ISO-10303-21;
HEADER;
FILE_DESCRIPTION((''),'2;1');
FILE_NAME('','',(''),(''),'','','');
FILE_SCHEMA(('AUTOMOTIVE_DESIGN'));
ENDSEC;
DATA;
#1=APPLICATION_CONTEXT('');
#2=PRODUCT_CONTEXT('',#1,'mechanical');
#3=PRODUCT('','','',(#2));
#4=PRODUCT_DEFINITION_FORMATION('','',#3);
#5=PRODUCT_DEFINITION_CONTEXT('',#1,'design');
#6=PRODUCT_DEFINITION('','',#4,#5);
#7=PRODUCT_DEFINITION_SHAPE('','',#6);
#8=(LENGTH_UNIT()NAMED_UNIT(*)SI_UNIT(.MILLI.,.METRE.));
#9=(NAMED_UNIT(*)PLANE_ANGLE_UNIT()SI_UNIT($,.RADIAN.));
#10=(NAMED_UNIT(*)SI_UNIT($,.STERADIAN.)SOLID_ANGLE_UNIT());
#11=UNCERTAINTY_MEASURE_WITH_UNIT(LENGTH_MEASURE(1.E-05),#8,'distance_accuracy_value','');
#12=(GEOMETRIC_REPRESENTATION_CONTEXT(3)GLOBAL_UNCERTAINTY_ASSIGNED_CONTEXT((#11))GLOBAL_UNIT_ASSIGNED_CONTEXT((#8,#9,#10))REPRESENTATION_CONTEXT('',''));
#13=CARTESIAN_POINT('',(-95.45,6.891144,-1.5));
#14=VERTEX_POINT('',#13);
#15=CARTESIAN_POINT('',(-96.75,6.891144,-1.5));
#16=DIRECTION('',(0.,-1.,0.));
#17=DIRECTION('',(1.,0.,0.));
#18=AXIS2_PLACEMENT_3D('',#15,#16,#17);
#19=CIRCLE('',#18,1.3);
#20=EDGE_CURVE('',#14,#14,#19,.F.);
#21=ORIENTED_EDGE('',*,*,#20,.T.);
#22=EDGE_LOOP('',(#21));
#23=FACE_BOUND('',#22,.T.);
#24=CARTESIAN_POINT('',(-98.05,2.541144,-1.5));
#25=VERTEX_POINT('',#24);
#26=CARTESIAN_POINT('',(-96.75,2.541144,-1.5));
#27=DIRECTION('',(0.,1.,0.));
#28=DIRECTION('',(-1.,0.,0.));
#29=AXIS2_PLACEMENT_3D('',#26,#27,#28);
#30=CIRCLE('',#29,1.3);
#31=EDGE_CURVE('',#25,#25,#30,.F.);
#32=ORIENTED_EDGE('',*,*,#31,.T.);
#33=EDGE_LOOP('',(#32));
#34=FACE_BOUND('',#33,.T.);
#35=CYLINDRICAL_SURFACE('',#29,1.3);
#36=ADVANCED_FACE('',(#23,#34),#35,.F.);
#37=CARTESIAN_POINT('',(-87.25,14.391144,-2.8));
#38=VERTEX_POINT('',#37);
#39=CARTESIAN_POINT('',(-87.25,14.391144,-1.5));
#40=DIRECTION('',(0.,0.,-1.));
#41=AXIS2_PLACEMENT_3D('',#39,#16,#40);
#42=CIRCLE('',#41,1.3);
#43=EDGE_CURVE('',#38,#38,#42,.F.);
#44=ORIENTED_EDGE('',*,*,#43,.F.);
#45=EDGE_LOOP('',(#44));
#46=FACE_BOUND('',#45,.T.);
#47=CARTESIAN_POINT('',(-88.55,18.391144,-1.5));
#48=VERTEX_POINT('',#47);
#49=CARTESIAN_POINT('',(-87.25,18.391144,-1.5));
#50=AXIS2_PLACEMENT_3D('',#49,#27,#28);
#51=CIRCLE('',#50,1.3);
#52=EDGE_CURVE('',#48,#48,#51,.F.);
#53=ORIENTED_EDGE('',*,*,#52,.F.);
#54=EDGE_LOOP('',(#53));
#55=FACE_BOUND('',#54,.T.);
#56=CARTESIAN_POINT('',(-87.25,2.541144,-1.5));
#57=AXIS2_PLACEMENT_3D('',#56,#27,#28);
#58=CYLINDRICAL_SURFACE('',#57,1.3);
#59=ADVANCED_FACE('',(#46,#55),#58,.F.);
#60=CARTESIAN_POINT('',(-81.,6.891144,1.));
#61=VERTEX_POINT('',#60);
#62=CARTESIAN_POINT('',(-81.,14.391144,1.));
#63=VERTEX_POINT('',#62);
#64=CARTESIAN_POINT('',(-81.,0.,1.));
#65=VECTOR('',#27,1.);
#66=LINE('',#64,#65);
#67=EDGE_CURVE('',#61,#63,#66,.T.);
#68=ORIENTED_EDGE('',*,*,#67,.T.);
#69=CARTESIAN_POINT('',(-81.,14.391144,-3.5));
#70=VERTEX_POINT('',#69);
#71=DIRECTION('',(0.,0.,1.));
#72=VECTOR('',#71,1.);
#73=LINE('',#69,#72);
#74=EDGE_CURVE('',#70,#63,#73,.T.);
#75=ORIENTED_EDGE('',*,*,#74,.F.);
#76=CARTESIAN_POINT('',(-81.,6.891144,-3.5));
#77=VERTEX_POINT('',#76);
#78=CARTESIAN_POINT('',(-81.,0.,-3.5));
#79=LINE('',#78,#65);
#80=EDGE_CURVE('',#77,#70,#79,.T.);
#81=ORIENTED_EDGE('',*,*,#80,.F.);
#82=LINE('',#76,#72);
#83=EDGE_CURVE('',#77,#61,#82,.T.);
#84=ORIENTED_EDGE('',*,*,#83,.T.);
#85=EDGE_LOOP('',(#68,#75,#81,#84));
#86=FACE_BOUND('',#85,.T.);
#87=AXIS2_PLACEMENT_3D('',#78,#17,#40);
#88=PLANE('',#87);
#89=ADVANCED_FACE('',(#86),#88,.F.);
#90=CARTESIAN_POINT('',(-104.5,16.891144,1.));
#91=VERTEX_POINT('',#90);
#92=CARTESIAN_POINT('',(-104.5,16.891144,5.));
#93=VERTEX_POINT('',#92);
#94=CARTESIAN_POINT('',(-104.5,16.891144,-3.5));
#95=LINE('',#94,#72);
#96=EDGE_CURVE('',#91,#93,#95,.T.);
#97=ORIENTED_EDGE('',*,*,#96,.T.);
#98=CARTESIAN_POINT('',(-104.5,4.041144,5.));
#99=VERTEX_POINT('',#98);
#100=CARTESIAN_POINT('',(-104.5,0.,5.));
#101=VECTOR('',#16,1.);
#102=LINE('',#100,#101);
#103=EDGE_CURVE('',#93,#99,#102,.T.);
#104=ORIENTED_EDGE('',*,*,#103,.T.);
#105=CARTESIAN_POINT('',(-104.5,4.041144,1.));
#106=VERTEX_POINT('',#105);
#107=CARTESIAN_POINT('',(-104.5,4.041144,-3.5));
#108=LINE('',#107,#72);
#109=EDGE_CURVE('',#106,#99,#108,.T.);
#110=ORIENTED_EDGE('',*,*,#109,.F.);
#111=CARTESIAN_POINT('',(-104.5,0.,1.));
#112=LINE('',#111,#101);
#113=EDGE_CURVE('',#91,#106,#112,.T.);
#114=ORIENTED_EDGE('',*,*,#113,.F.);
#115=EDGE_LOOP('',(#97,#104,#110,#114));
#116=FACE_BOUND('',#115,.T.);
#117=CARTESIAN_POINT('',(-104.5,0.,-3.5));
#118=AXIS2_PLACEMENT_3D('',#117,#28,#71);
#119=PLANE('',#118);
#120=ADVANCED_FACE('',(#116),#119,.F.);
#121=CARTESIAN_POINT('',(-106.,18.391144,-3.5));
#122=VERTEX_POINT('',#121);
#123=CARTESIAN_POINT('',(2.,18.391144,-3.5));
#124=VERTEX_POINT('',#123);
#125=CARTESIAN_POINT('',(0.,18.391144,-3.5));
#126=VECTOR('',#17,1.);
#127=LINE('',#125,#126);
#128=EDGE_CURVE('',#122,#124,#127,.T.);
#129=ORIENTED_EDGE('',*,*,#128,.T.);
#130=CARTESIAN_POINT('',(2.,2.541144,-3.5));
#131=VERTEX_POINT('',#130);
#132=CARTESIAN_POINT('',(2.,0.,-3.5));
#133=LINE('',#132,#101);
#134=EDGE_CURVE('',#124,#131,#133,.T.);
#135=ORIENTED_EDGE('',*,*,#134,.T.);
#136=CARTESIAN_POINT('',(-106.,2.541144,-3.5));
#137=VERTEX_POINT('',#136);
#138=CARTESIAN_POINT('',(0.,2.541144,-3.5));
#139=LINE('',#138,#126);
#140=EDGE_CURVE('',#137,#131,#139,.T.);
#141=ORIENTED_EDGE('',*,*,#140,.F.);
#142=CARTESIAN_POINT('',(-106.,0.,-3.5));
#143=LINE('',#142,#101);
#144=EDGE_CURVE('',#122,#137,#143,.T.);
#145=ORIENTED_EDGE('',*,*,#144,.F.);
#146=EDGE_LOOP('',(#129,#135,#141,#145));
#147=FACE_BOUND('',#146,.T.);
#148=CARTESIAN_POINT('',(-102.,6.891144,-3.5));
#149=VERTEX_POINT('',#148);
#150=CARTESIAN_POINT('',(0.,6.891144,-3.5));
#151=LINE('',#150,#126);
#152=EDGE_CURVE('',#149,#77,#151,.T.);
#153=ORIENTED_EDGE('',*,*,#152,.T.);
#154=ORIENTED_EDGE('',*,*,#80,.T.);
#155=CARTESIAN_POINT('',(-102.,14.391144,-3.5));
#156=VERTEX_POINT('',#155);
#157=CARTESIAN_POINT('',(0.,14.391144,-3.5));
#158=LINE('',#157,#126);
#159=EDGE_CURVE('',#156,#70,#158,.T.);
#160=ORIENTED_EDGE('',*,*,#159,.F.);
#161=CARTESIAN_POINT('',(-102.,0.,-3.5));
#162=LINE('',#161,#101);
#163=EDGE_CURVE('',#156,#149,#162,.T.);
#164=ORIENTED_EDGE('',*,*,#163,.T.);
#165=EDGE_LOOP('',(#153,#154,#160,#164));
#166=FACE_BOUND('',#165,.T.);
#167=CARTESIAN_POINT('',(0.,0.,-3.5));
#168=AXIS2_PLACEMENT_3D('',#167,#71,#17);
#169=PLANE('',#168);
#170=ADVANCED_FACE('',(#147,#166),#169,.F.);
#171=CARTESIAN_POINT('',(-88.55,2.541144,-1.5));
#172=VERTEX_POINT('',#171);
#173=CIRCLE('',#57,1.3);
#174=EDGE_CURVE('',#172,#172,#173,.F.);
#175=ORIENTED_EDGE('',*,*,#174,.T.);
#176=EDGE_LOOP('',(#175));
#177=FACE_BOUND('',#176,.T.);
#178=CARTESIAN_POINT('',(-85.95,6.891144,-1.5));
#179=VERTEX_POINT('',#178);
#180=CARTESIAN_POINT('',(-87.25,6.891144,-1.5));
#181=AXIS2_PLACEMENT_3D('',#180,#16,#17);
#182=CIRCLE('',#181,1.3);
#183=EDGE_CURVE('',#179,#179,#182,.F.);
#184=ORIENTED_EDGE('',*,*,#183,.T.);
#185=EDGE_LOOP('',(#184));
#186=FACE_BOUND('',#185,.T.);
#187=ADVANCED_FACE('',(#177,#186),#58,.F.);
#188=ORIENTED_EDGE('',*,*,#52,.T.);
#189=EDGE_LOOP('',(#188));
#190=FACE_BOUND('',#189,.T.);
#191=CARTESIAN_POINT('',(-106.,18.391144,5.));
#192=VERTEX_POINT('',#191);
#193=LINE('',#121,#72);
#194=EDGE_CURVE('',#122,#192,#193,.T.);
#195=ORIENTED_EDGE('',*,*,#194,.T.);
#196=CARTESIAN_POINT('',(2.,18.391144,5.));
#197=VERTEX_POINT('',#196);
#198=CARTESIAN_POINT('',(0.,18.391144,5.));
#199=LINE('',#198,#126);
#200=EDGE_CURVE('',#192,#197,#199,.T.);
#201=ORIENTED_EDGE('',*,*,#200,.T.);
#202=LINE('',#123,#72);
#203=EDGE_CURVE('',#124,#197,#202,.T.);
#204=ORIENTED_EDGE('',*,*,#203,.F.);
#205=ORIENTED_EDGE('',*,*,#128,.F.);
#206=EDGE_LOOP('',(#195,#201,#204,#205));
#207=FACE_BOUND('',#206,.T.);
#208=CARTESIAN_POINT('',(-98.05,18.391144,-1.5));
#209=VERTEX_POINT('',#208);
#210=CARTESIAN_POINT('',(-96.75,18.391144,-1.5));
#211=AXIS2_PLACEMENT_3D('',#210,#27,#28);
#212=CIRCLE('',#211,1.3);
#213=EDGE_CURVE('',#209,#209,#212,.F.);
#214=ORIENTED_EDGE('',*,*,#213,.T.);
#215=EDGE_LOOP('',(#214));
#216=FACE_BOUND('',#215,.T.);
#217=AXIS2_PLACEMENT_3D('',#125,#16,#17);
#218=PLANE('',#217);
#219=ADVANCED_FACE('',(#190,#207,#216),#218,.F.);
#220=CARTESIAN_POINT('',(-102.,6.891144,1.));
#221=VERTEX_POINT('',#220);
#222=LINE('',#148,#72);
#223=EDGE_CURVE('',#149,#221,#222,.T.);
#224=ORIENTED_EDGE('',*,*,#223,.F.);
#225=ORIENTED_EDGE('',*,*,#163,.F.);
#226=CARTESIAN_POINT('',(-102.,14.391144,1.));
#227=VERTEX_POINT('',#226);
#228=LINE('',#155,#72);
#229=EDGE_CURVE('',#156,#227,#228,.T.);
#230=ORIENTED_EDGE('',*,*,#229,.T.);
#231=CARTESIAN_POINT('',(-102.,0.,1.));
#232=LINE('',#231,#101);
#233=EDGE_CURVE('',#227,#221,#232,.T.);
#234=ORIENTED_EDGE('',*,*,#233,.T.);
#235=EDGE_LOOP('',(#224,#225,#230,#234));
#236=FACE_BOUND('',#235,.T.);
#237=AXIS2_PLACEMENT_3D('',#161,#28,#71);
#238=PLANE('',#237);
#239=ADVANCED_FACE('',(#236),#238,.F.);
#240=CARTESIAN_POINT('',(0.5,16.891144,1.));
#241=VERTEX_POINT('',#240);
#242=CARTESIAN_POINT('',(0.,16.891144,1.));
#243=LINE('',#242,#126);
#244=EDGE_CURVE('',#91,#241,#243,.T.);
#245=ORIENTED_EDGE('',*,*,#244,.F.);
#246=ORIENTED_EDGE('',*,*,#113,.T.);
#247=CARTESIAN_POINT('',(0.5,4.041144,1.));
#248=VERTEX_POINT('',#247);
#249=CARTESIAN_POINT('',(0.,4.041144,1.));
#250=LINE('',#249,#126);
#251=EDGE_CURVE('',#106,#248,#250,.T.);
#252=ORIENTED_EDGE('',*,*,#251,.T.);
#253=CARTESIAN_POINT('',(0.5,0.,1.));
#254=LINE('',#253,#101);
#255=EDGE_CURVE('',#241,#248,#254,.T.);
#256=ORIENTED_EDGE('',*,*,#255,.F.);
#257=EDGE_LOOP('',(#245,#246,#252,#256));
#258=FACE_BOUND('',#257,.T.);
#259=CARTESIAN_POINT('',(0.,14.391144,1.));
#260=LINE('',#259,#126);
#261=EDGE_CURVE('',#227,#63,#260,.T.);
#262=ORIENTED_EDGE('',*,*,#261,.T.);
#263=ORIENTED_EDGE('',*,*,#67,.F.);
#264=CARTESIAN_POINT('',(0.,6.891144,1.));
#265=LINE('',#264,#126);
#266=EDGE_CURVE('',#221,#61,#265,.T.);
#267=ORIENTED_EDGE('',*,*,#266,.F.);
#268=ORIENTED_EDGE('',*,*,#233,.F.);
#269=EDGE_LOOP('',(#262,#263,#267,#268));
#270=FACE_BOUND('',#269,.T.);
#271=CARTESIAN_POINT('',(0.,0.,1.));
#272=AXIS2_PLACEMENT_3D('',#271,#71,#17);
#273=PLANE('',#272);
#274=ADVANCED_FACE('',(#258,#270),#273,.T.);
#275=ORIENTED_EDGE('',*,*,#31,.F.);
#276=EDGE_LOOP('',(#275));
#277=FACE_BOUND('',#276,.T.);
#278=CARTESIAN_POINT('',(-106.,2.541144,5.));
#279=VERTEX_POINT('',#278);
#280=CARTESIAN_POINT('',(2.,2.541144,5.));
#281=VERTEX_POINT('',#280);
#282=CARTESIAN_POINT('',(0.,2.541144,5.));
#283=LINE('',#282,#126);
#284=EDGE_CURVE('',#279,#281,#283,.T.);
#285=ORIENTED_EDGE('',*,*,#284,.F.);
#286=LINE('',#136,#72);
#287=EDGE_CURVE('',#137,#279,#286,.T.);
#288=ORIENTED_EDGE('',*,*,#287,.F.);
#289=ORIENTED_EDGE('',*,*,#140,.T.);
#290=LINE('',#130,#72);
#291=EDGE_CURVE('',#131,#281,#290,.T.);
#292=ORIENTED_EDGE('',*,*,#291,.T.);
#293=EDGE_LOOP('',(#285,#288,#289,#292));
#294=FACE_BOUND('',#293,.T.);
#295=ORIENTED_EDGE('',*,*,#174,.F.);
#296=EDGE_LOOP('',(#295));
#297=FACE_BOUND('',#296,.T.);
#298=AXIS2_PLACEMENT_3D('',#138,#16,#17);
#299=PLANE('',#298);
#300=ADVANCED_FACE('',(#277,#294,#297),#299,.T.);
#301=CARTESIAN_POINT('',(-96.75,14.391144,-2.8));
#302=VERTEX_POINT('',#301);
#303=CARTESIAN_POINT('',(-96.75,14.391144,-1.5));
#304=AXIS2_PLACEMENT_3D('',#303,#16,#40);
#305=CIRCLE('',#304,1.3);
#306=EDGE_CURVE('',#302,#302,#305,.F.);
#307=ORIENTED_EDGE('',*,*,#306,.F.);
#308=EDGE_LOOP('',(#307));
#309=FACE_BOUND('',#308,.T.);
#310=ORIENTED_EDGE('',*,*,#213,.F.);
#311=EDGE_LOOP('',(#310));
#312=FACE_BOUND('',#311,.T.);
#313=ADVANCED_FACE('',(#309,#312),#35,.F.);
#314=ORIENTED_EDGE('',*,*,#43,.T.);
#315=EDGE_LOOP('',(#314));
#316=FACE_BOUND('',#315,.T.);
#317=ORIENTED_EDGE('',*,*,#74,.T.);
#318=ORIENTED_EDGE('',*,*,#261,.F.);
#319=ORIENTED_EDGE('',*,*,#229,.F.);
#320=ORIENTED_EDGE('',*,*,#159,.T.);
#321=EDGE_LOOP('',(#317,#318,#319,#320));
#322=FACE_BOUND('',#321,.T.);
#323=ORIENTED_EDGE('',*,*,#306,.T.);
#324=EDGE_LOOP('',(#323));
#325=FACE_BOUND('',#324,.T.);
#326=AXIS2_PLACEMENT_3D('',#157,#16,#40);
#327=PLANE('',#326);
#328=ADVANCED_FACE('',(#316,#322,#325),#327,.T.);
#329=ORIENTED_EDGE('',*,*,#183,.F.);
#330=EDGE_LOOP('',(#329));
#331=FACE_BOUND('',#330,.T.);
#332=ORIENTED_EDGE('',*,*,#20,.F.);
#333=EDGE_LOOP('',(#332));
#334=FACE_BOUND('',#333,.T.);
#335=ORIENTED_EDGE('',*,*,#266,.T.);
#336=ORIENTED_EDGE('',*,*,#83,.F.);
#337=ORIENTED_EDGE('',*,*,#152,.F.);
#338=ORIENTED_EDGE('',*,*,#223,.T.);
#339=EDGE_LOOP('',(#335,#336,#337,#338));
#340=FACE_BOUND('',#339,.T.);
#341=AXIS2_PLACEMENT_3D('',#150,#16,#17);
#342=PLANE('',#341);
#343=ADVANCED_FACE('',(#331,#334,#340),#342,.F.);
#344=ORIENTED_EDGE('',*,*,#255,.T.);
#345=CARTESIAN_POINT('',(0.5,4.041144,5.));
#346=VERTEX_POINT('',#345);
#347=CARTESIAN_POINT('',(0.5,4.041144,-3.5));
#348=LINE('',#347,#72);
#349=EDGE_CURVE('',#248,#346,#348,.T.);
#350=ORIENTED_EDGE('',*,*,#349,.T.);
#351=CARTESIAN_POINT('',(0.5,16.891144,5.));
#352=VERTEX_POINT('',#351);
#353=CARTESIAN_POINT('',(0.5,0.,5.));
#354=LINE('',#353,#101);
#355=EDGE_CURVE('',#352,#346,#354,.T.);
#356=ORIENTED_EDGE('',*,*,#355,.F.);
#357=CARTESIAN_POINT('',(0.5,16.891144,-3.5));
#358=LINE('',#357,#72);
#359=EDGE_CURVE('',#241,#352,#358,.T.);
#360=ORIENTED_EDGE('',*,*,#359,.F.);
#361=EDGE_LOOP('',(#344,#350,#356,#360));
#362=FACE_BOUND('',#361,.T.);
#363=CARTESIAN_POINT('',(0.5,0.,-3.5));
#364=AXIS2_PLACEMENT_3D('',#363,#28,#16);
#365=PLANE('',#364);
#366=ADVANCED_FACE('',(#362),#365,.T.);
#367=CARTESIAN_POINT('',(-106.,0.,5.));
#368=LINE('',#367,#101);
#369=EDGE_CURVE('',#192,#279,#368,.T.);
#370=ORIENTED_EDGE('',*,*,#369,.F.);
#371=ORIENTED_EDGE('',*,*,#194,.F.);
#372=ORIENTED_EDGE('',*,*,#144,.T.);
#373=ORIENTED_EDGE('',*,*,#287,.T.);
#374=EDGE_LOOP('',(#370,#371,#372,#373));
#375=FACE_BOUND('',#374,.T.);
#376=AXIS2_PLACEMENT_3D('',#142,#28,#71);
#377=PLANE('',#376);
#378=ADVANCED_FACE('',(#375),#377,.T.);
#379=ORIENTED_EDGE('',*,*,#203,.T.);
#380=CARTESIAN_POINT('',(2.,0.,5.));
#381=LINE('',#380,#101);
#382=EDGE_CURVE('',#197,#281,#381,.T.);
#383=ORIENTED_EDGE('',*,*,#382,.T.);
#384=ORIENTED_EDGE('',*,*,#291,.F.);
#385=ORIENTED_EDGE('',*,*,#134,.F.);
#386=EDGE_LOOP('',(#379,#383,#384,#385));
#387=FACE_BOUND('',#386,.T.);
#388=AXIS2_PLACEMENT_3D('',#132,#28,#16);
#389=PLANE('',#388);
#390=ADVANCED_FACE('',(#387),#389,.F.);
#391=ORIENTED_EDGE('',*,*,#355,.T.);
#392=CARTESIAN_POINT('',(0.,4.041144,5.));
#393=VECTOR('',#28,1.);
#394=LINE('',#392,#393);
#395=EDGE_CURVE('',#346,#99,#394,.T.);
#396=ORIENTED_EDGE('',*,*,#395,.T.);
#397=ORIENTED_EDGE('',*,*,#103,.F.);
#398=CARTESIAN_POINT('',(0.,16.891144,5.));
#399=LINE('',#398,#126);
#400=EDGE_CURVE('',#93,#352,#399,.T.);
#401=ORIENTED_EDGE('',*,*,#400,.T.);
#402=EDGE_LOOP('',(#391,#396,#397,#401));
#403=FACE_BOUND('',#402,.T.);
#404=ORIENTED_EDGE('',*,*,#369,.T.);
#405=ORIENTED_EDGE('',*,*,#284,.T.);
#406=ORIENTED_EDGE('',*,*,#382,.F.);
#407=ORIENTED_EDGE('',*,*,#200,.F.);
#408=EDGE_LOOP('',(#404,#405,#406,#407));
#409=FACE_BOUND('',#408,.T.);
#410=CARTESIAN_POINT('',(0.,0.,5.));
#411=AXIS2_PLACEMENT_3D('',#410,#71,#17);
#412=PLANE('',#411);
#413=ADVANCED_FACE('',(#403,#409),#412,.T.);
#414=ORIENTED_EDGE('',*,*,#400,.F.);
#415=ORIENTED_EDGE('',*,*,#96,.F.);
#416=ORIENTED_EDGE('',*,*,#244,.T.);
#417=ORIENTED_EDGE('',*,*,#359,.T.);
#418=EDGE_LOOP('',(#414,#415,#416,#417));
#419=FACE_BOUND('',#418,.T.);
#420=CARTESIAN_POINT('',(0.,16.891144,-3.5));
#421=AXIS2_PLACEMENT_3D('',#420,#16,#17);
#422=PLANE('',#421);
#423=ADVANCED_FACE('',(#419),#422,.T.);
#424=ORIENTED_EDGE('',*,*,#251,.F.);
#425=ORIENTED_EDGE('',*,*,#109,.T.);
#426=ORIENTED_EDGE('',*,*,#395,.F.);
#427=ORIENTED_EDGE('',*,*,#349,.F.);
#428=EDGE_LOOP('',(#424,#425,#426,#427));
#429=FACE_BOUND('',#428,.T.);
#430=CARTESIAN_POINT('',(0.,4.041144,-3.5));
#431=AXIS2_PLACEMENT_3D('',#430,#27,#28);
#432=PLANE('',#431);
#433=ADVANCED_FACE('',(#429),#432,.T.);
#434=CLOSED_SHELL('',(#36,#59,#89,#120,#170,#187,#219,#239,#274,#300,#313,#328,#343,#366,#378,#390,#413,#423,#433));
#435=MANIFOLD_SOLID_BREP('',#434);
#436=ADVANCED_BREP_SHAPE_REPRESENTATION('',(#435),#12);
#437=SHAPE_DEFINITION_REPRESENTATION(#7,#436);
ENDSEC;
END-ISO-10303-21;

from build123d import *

# Parameters (mm, degrees)
RESSALTO_EXTRUS_O1_DEPTH      = 5
RESSALTO_EXTRUS_O1_DEPTH_BACK = 3.5
ESBO_O1_3_W                   = 105
ESBO_O1_3_H                   = 12.85
ESBO_O1_3_W_2                 = 21
ESBO_O1_3_H_2                 = 7.5
RESSALTO_EXTRUS_O2_DEPTH      = 3.5
ESBO_O1_4_W                   = 105
ESBO_O1_4_H                   = 12.85
ESBO_O1_4_W_2                 = 21
ESBO_O1_4_H_2                 = 7.5
RESSALTO_EXTRUS_O3_DEPTH      = 1
ESBO_O2_R                     = 1.3
CORTE_EXTRUS_O2_DEPTH         = 110.701267602


with BuildPart() as part:
    # Esboço1 → Ressalto-extrusão1 (new, two sides: drawn at the far end of the back side and taken through both)
    with BuildSketch(Plane.XY.offset(-RESSALTO_EXTRUS_O1_DEPTH_BACK)):
        Polygon((-106, 18.391143911), (-106, 2.541143911), (-93, 2.541143911), (2, 2.541143911), (2, 18.391143911), (-95, 18.391143911), align=None)
        Polygon((-96.5, 16.891143911), (0.5, 16.891143911), (0.5, 4.041143911), (-94.5, 4.041143911), (-104.5, 4.041143911), (-104.5, 16.891143911), align=None, mode=Mode.SUBTRACT)
    extrude(amount=RESSALTO_EXTRUS_O1_DEPTH + RESSALTO_EXTRUS_O1_DEPTH_BACK)

    # Esboço1<3> → Ressalto-extrusão2 (add)
    with BuildSketch(Plane.XY):
        with Locations((-52, 10.466143911)):
            Rectangle(ESBO_O1_3_W, ESBO_O1_3_H)
        with Locations((-91.5, 10.641143911)):
            Rectangle(ESBO_O1_3_W_2, ESBO_O1_3_H_2, mode=Mode.SUBTRACT)
    extrude(amount=-RESSALTO_EXTRUS_O2_DEPTH)

    # Esboço1<4> → Ressalto-extrusão3 (add)
    with BuildSketch(Plane.XY):
        with Locations((-52, 10.466143911)):
            Rectangle(ESBO_O1_4_W, ESBO_O1_4_H)
        with Locations((-91.5, 10.641143911)):
            Rectangle(ESBO_O1_4_W_2, ESBO_O1_4_H_2, mode=Mode.SUBTRACT)
    extrude(amount=RESSALTO_EXTRUS_O3_DEPTH)

    # Esboço2 → Corte-extrusão2 (cut, through all)
    with BuildSketch(Plane(origin=(0, 18.391143911, -18.391143911), x_dir=(1, 0, 0), z_dir=(0, -1, 0))):
        with Locations((-96.75, 16.891143911)):
            Circle(ESBO_O2_R)
        with Locations((-87.25, 16.891143911)):
            Circle(ESBO_O2_R)
    extrude(amount=CORTE_EXTRUS_O2_DEPTH, mode=Mode.SUBTRACT)


solid = part.part
